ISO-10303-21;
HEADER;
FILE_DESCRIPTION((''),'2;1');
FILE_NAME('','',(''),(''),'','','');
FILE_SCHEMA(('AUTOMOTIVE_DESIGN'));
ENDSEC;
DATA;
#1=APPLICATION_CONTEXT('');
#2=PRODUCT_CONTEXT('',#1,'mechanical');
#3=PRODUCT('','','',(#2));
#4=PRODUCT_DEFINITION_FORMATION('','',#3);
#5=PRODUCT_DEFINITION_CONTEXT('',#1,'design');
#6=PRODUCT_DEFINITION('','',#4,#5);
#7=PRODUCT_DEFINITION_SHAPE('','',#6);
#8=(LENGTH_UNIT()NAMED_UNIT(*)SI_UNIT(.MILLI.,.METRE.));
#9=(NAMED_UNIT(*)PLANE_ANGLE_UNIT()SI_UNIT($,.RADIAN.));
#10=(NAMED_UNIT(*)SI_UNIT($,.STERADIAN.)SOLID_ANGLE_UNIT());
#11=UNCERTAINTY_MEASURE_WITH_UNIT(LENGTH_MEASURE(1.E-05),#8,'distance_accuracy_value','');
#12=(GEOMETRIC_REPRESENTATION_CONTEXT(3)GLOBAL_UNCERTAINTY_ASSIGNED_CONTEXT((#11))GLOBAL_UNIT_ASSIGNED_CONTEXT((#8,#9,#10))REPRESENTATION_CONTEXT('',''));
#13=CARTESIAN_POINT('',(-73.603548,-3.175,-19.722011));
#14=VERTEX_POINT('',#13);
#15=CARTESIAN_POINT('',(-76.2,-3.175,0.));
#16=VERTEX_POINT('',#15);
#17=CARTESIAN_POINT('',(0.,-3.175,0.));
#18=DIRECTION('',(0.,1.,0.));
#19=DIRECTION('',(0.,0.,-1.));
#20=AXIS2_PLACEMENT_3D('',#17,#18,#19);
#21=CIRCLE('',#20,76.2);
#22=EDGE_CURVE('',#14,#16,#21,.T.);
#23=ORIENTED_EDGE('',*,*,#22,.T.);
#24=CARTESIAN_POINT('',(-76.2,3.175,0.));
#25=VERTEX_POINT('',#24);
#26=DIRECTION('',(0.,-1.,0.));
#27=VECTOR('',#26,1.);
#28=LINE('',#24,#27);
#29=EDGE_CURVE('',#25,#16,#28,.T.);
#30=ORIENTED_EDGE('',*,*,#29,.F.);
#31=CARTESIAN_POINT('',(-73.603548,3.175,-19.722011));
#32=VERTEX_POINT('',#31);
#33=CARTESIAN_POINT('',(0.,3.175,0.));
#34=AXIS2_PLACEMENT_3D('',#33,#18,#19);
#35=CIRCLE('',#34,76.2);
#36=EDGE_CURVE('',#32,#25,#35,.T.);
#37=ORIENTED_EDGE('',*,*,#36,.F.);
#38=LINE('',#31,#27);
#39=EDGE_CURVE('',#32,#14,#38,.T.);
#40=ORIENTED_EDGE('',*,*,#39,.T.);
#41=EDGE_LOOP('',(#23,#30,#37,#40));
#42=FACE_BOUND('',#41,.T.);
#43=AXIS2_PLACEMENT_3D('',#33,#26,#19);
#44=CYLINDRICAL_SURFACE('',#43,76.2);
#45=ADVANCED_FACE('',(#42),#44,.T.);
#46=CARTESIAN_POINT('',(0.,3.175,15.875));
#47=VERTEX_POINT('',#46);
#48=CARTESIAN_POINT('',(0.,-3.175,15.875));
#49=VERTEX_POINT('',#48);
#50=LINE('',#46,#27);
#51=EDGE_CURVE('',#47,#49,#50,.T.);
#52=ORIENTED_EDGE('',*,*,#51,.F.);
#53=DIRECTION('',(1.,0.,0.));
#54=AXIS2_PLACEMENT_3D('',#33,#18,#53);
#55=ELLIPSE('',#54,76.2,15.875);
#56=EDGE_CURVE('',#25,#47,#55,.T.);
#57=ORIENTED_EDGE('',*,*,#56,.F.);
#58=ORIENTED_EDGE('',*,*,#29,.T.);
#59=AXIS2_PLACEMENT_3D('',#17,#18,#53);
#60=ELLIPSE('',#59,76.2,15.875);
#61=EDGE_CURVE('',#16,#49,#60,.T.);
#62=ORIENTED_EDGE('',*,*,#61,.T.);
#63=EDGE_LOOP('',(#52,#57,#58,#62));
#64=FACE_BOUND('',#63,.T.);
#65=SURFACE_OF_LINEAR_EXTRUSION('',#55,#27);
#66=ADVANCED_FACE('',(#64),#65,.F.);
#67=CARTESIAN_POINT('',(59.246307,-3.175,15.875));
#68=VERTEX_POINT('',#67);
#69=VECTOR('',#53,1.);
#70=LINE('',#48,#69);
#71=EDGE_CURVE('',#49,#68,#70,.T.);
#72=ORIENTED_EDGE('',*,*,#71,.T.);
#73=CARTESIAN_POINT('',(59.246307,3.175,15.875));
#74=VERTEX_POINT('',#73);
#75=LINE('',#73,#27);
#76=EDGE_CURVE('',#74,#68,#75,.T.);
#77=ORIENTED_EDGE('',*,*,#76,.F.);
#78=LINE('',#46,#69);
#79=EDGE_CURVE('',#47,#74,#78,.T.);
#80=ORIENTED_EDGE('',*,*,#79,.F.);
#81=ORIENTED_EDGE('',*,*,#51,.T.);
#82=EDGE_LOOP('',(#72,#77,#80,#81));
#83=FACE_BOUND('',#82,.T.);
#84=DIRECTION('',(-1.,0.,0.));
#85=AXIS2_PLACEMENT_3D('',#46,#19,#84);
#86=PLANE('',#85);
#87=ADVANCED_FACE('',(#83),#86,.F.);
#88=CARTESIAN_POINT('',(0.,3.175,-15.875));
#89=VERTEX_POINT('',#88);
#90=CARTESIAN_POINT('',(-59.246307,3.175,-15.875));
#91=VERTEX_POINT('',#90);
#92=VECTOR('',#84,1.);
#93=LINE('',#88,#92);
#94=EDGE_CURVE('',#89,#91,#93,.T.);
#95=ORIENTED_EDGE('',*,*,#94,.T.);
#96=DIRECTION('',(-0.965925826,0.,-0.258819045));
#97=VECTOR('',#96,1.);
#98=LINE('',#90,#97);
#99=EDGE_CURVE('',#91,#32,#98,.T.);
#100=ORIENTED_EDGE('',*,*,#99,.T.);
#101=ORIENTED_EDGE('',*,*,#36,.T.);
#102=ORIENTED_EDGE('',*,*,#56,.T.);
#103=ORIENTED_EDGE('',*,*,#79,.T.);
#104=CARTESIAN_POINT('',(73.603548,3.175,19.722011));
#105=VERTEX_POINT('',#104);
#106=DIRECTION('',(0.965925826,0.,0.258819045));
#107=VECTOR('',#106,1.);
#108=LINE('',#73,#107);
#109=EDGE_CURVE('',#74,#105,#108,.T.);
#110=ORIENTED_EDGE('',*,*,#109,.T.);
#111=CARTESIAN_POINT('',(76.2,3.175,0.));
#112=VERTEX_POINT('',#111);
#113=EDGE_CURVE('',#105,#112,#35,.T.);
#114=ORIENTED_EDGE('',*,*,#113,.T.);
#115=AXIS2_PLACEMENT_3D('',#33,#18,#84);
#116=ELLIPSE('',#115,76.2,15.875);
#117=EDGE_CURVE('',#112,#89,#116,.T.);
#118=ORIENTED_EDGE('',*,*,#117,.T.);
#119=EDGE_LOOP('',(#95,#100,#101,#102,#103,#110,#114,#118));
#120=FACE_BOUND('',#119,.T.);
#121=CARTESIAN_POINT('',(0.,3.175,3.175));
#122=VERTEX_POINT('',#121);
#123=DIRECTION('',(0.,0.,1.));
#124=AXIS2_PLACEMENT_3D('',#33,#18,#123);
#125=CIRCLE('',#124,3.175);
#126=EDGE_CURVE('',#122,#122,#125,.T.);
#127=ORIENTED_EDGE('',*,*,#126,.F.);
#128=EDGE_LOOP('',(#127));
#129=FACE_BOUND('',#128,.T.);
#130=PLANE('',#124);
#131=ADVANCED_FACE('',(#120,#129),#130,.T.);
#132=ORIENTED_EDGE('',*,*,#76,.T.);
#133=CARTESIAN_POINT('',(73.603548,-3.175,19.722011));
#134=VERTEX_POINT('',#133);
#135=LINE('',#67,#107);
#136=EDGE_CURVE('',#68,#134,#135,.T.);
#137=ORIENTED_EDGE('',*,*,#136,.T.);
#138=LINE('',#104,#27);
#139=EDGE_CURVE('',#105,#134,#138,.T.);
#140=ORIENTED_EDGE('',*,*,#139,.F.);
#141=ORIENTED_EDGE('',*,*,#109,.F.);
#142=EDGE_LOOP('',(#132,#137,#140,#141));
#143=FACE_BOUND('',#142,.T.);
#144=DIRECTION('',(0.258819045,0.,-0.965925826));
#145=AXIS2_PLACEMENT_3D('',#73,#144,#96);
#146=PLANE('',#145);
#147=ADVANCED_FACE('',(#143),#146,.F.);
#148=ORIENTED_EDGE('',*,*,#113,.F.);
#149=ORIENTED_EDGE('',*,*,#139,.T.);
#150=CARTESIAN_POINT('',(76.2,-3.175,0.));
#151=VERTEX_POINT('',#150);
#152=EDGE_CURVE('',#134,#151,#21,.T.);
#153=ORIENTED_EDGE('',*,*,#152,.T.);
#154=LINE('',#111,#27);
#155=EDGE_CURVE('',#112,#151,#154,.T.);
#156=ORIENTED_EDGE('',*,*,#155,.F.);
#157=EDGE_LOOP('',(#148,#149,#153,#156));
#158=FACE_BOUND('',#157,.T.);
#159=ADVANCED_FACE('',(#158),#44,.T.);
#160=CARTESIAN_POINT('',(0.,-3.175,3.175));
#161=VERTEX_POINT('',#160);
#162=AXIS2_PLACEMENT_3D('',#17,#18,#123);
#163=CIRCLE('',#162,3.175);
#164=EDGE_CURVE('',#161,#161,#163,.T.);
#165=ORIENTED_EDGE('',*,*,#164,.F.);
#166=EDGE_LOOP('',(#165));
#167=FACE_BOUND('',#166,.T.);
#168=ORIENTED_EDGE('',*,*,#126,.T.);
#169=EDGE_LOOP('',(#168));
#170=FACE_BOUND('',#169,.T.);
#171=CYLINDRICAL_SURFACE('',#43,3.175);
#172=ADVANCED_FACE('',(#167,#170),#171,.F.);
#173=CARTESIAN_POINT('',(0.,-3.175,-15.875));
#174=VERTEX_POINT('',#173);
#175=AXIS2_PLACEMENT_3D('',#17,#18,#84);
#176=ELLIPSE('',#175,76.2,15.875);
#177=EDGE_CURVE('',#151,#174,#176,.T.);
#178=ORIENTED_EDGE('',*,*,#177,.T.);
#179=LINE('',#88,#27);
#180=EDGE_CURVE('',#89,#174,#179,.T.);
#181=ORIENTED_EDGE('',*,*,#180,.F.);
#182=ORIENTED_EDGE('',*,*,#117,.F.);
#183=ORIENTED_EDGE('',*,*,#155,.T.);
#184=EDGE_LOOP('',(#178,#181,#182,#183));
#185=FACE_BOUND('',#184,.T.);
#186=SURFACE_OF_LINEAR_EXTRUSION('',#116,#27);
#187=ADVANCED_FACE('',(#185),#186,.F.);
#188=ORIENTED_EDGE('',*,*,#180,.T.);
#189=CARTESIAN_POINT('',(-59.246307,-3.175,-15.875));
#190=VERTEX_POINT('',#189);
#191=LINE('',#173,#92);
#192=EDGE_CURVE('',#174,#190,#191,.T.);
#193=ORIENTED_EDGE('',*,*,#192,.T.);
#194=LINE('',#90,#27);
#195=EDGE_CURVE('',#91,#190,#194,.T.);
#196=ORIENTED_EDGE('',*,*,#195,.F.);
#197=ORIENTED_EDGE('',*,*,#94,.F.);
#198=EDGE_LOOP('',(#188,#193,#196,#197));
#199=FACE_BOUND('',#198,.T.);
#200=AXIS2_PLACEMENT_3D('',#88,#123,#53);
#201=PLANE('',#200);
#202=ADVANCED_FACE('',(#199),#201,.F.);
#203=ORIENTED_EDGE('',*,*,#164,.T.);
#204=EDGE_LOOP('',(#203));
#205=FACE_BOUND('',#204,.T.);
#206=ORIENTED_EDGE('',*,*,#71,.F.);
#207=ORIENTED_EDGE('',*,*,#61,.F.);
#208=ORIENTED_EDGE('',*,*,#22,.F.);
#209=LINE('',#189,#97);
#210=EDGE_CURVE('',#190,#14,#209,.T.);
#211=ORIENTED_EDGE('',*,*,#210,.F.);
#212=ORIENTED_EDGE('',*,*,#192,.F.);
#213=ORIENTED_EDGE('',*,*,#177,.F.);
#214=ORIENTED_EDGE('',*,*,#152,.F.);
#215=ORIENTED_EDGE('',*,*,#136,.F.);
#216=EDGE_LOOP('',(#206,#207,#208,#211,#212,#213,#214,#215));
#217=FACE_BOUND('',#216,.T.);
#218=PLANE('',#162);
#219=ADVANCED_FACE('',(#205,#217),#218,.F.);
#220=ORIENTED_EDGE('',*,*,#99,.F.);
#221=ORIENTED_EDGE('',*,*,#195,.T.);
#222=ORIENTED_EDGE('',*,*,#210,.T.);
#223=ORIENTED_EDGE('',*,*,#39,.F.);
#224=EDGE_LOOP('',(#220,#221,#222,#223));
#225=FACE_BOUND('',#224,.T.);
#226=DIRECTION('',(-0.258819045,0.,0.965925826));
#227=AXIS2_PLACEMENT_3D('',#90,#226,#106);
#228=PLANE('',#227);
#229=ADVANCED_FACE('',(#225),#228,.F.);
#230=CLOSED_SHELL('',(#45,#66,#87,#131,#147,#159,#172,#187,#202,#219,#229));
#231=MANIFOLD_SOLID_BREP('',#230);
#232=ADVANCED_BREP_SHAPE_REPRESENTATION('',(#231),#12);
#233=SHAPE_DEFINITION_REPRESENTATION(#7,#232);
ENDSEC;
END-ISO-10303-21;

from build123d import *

# Parameters (mm, degrees)
SKETCH1_R           = 3.175
BOSS_EXTRUDE1_DEPTH = 3.175


with BuildPart() as part:
    # Sketch1 → Boss-Extrude1 (new, symmetric)
    with BuildSketch(Plane(origin=(0, 0, 0), x_dir=(1, 0, 0), z_dir=(0, 1, 0))):
        with BuildLine():
            Line((0, -15.875), (59.24630657, -15.875))
            Line((59.24630657, -15.875), (73.603547963, -19.722011237))
            ThreePointArc((73.603547963, -19.722011237), (75.548098437, -9.946095847), (76.2, 0))
            add(Edge.make_bspline(
                [(76.2, 0), (76.2, 15.875), (0, 15.875)],
                knots=[3.141592654, 3.141592654, 3.141592654, 4.71238898, 4.71238898, 4.71238898], degree=2, weights=[1, 0.707106781, 1]))
            Line((0, 15.875), (-59.24630657, 15.875))
            Line((-59.24630657, 15.875), (-73.603547963, 19.722011237))
            ThreePointArc((-73.603547963, 19.722011237), (-75.548098437, 9.946095847), (-76.2, 0))
            add(Edge.make_bspline(
                [(-76.2, 0), (-76.2, -15.875), (0, -15.875)],
                knots=[3.141592654, 3.141592654, 3.141592654, 4.71238898, 4.71238898, 4.71238898], degree=2, weights=[1, 0.707106781, 1]))
        make_face()
        with Locations(Location((0, 0, 0), (0, 0, 270))):
            Circle(SKETCH1_R, mode=Mode.SUBTRACT)
    extrude(amount=BOSS_EXTRUDE1_DEPTH, both=True)


solid = part.part
